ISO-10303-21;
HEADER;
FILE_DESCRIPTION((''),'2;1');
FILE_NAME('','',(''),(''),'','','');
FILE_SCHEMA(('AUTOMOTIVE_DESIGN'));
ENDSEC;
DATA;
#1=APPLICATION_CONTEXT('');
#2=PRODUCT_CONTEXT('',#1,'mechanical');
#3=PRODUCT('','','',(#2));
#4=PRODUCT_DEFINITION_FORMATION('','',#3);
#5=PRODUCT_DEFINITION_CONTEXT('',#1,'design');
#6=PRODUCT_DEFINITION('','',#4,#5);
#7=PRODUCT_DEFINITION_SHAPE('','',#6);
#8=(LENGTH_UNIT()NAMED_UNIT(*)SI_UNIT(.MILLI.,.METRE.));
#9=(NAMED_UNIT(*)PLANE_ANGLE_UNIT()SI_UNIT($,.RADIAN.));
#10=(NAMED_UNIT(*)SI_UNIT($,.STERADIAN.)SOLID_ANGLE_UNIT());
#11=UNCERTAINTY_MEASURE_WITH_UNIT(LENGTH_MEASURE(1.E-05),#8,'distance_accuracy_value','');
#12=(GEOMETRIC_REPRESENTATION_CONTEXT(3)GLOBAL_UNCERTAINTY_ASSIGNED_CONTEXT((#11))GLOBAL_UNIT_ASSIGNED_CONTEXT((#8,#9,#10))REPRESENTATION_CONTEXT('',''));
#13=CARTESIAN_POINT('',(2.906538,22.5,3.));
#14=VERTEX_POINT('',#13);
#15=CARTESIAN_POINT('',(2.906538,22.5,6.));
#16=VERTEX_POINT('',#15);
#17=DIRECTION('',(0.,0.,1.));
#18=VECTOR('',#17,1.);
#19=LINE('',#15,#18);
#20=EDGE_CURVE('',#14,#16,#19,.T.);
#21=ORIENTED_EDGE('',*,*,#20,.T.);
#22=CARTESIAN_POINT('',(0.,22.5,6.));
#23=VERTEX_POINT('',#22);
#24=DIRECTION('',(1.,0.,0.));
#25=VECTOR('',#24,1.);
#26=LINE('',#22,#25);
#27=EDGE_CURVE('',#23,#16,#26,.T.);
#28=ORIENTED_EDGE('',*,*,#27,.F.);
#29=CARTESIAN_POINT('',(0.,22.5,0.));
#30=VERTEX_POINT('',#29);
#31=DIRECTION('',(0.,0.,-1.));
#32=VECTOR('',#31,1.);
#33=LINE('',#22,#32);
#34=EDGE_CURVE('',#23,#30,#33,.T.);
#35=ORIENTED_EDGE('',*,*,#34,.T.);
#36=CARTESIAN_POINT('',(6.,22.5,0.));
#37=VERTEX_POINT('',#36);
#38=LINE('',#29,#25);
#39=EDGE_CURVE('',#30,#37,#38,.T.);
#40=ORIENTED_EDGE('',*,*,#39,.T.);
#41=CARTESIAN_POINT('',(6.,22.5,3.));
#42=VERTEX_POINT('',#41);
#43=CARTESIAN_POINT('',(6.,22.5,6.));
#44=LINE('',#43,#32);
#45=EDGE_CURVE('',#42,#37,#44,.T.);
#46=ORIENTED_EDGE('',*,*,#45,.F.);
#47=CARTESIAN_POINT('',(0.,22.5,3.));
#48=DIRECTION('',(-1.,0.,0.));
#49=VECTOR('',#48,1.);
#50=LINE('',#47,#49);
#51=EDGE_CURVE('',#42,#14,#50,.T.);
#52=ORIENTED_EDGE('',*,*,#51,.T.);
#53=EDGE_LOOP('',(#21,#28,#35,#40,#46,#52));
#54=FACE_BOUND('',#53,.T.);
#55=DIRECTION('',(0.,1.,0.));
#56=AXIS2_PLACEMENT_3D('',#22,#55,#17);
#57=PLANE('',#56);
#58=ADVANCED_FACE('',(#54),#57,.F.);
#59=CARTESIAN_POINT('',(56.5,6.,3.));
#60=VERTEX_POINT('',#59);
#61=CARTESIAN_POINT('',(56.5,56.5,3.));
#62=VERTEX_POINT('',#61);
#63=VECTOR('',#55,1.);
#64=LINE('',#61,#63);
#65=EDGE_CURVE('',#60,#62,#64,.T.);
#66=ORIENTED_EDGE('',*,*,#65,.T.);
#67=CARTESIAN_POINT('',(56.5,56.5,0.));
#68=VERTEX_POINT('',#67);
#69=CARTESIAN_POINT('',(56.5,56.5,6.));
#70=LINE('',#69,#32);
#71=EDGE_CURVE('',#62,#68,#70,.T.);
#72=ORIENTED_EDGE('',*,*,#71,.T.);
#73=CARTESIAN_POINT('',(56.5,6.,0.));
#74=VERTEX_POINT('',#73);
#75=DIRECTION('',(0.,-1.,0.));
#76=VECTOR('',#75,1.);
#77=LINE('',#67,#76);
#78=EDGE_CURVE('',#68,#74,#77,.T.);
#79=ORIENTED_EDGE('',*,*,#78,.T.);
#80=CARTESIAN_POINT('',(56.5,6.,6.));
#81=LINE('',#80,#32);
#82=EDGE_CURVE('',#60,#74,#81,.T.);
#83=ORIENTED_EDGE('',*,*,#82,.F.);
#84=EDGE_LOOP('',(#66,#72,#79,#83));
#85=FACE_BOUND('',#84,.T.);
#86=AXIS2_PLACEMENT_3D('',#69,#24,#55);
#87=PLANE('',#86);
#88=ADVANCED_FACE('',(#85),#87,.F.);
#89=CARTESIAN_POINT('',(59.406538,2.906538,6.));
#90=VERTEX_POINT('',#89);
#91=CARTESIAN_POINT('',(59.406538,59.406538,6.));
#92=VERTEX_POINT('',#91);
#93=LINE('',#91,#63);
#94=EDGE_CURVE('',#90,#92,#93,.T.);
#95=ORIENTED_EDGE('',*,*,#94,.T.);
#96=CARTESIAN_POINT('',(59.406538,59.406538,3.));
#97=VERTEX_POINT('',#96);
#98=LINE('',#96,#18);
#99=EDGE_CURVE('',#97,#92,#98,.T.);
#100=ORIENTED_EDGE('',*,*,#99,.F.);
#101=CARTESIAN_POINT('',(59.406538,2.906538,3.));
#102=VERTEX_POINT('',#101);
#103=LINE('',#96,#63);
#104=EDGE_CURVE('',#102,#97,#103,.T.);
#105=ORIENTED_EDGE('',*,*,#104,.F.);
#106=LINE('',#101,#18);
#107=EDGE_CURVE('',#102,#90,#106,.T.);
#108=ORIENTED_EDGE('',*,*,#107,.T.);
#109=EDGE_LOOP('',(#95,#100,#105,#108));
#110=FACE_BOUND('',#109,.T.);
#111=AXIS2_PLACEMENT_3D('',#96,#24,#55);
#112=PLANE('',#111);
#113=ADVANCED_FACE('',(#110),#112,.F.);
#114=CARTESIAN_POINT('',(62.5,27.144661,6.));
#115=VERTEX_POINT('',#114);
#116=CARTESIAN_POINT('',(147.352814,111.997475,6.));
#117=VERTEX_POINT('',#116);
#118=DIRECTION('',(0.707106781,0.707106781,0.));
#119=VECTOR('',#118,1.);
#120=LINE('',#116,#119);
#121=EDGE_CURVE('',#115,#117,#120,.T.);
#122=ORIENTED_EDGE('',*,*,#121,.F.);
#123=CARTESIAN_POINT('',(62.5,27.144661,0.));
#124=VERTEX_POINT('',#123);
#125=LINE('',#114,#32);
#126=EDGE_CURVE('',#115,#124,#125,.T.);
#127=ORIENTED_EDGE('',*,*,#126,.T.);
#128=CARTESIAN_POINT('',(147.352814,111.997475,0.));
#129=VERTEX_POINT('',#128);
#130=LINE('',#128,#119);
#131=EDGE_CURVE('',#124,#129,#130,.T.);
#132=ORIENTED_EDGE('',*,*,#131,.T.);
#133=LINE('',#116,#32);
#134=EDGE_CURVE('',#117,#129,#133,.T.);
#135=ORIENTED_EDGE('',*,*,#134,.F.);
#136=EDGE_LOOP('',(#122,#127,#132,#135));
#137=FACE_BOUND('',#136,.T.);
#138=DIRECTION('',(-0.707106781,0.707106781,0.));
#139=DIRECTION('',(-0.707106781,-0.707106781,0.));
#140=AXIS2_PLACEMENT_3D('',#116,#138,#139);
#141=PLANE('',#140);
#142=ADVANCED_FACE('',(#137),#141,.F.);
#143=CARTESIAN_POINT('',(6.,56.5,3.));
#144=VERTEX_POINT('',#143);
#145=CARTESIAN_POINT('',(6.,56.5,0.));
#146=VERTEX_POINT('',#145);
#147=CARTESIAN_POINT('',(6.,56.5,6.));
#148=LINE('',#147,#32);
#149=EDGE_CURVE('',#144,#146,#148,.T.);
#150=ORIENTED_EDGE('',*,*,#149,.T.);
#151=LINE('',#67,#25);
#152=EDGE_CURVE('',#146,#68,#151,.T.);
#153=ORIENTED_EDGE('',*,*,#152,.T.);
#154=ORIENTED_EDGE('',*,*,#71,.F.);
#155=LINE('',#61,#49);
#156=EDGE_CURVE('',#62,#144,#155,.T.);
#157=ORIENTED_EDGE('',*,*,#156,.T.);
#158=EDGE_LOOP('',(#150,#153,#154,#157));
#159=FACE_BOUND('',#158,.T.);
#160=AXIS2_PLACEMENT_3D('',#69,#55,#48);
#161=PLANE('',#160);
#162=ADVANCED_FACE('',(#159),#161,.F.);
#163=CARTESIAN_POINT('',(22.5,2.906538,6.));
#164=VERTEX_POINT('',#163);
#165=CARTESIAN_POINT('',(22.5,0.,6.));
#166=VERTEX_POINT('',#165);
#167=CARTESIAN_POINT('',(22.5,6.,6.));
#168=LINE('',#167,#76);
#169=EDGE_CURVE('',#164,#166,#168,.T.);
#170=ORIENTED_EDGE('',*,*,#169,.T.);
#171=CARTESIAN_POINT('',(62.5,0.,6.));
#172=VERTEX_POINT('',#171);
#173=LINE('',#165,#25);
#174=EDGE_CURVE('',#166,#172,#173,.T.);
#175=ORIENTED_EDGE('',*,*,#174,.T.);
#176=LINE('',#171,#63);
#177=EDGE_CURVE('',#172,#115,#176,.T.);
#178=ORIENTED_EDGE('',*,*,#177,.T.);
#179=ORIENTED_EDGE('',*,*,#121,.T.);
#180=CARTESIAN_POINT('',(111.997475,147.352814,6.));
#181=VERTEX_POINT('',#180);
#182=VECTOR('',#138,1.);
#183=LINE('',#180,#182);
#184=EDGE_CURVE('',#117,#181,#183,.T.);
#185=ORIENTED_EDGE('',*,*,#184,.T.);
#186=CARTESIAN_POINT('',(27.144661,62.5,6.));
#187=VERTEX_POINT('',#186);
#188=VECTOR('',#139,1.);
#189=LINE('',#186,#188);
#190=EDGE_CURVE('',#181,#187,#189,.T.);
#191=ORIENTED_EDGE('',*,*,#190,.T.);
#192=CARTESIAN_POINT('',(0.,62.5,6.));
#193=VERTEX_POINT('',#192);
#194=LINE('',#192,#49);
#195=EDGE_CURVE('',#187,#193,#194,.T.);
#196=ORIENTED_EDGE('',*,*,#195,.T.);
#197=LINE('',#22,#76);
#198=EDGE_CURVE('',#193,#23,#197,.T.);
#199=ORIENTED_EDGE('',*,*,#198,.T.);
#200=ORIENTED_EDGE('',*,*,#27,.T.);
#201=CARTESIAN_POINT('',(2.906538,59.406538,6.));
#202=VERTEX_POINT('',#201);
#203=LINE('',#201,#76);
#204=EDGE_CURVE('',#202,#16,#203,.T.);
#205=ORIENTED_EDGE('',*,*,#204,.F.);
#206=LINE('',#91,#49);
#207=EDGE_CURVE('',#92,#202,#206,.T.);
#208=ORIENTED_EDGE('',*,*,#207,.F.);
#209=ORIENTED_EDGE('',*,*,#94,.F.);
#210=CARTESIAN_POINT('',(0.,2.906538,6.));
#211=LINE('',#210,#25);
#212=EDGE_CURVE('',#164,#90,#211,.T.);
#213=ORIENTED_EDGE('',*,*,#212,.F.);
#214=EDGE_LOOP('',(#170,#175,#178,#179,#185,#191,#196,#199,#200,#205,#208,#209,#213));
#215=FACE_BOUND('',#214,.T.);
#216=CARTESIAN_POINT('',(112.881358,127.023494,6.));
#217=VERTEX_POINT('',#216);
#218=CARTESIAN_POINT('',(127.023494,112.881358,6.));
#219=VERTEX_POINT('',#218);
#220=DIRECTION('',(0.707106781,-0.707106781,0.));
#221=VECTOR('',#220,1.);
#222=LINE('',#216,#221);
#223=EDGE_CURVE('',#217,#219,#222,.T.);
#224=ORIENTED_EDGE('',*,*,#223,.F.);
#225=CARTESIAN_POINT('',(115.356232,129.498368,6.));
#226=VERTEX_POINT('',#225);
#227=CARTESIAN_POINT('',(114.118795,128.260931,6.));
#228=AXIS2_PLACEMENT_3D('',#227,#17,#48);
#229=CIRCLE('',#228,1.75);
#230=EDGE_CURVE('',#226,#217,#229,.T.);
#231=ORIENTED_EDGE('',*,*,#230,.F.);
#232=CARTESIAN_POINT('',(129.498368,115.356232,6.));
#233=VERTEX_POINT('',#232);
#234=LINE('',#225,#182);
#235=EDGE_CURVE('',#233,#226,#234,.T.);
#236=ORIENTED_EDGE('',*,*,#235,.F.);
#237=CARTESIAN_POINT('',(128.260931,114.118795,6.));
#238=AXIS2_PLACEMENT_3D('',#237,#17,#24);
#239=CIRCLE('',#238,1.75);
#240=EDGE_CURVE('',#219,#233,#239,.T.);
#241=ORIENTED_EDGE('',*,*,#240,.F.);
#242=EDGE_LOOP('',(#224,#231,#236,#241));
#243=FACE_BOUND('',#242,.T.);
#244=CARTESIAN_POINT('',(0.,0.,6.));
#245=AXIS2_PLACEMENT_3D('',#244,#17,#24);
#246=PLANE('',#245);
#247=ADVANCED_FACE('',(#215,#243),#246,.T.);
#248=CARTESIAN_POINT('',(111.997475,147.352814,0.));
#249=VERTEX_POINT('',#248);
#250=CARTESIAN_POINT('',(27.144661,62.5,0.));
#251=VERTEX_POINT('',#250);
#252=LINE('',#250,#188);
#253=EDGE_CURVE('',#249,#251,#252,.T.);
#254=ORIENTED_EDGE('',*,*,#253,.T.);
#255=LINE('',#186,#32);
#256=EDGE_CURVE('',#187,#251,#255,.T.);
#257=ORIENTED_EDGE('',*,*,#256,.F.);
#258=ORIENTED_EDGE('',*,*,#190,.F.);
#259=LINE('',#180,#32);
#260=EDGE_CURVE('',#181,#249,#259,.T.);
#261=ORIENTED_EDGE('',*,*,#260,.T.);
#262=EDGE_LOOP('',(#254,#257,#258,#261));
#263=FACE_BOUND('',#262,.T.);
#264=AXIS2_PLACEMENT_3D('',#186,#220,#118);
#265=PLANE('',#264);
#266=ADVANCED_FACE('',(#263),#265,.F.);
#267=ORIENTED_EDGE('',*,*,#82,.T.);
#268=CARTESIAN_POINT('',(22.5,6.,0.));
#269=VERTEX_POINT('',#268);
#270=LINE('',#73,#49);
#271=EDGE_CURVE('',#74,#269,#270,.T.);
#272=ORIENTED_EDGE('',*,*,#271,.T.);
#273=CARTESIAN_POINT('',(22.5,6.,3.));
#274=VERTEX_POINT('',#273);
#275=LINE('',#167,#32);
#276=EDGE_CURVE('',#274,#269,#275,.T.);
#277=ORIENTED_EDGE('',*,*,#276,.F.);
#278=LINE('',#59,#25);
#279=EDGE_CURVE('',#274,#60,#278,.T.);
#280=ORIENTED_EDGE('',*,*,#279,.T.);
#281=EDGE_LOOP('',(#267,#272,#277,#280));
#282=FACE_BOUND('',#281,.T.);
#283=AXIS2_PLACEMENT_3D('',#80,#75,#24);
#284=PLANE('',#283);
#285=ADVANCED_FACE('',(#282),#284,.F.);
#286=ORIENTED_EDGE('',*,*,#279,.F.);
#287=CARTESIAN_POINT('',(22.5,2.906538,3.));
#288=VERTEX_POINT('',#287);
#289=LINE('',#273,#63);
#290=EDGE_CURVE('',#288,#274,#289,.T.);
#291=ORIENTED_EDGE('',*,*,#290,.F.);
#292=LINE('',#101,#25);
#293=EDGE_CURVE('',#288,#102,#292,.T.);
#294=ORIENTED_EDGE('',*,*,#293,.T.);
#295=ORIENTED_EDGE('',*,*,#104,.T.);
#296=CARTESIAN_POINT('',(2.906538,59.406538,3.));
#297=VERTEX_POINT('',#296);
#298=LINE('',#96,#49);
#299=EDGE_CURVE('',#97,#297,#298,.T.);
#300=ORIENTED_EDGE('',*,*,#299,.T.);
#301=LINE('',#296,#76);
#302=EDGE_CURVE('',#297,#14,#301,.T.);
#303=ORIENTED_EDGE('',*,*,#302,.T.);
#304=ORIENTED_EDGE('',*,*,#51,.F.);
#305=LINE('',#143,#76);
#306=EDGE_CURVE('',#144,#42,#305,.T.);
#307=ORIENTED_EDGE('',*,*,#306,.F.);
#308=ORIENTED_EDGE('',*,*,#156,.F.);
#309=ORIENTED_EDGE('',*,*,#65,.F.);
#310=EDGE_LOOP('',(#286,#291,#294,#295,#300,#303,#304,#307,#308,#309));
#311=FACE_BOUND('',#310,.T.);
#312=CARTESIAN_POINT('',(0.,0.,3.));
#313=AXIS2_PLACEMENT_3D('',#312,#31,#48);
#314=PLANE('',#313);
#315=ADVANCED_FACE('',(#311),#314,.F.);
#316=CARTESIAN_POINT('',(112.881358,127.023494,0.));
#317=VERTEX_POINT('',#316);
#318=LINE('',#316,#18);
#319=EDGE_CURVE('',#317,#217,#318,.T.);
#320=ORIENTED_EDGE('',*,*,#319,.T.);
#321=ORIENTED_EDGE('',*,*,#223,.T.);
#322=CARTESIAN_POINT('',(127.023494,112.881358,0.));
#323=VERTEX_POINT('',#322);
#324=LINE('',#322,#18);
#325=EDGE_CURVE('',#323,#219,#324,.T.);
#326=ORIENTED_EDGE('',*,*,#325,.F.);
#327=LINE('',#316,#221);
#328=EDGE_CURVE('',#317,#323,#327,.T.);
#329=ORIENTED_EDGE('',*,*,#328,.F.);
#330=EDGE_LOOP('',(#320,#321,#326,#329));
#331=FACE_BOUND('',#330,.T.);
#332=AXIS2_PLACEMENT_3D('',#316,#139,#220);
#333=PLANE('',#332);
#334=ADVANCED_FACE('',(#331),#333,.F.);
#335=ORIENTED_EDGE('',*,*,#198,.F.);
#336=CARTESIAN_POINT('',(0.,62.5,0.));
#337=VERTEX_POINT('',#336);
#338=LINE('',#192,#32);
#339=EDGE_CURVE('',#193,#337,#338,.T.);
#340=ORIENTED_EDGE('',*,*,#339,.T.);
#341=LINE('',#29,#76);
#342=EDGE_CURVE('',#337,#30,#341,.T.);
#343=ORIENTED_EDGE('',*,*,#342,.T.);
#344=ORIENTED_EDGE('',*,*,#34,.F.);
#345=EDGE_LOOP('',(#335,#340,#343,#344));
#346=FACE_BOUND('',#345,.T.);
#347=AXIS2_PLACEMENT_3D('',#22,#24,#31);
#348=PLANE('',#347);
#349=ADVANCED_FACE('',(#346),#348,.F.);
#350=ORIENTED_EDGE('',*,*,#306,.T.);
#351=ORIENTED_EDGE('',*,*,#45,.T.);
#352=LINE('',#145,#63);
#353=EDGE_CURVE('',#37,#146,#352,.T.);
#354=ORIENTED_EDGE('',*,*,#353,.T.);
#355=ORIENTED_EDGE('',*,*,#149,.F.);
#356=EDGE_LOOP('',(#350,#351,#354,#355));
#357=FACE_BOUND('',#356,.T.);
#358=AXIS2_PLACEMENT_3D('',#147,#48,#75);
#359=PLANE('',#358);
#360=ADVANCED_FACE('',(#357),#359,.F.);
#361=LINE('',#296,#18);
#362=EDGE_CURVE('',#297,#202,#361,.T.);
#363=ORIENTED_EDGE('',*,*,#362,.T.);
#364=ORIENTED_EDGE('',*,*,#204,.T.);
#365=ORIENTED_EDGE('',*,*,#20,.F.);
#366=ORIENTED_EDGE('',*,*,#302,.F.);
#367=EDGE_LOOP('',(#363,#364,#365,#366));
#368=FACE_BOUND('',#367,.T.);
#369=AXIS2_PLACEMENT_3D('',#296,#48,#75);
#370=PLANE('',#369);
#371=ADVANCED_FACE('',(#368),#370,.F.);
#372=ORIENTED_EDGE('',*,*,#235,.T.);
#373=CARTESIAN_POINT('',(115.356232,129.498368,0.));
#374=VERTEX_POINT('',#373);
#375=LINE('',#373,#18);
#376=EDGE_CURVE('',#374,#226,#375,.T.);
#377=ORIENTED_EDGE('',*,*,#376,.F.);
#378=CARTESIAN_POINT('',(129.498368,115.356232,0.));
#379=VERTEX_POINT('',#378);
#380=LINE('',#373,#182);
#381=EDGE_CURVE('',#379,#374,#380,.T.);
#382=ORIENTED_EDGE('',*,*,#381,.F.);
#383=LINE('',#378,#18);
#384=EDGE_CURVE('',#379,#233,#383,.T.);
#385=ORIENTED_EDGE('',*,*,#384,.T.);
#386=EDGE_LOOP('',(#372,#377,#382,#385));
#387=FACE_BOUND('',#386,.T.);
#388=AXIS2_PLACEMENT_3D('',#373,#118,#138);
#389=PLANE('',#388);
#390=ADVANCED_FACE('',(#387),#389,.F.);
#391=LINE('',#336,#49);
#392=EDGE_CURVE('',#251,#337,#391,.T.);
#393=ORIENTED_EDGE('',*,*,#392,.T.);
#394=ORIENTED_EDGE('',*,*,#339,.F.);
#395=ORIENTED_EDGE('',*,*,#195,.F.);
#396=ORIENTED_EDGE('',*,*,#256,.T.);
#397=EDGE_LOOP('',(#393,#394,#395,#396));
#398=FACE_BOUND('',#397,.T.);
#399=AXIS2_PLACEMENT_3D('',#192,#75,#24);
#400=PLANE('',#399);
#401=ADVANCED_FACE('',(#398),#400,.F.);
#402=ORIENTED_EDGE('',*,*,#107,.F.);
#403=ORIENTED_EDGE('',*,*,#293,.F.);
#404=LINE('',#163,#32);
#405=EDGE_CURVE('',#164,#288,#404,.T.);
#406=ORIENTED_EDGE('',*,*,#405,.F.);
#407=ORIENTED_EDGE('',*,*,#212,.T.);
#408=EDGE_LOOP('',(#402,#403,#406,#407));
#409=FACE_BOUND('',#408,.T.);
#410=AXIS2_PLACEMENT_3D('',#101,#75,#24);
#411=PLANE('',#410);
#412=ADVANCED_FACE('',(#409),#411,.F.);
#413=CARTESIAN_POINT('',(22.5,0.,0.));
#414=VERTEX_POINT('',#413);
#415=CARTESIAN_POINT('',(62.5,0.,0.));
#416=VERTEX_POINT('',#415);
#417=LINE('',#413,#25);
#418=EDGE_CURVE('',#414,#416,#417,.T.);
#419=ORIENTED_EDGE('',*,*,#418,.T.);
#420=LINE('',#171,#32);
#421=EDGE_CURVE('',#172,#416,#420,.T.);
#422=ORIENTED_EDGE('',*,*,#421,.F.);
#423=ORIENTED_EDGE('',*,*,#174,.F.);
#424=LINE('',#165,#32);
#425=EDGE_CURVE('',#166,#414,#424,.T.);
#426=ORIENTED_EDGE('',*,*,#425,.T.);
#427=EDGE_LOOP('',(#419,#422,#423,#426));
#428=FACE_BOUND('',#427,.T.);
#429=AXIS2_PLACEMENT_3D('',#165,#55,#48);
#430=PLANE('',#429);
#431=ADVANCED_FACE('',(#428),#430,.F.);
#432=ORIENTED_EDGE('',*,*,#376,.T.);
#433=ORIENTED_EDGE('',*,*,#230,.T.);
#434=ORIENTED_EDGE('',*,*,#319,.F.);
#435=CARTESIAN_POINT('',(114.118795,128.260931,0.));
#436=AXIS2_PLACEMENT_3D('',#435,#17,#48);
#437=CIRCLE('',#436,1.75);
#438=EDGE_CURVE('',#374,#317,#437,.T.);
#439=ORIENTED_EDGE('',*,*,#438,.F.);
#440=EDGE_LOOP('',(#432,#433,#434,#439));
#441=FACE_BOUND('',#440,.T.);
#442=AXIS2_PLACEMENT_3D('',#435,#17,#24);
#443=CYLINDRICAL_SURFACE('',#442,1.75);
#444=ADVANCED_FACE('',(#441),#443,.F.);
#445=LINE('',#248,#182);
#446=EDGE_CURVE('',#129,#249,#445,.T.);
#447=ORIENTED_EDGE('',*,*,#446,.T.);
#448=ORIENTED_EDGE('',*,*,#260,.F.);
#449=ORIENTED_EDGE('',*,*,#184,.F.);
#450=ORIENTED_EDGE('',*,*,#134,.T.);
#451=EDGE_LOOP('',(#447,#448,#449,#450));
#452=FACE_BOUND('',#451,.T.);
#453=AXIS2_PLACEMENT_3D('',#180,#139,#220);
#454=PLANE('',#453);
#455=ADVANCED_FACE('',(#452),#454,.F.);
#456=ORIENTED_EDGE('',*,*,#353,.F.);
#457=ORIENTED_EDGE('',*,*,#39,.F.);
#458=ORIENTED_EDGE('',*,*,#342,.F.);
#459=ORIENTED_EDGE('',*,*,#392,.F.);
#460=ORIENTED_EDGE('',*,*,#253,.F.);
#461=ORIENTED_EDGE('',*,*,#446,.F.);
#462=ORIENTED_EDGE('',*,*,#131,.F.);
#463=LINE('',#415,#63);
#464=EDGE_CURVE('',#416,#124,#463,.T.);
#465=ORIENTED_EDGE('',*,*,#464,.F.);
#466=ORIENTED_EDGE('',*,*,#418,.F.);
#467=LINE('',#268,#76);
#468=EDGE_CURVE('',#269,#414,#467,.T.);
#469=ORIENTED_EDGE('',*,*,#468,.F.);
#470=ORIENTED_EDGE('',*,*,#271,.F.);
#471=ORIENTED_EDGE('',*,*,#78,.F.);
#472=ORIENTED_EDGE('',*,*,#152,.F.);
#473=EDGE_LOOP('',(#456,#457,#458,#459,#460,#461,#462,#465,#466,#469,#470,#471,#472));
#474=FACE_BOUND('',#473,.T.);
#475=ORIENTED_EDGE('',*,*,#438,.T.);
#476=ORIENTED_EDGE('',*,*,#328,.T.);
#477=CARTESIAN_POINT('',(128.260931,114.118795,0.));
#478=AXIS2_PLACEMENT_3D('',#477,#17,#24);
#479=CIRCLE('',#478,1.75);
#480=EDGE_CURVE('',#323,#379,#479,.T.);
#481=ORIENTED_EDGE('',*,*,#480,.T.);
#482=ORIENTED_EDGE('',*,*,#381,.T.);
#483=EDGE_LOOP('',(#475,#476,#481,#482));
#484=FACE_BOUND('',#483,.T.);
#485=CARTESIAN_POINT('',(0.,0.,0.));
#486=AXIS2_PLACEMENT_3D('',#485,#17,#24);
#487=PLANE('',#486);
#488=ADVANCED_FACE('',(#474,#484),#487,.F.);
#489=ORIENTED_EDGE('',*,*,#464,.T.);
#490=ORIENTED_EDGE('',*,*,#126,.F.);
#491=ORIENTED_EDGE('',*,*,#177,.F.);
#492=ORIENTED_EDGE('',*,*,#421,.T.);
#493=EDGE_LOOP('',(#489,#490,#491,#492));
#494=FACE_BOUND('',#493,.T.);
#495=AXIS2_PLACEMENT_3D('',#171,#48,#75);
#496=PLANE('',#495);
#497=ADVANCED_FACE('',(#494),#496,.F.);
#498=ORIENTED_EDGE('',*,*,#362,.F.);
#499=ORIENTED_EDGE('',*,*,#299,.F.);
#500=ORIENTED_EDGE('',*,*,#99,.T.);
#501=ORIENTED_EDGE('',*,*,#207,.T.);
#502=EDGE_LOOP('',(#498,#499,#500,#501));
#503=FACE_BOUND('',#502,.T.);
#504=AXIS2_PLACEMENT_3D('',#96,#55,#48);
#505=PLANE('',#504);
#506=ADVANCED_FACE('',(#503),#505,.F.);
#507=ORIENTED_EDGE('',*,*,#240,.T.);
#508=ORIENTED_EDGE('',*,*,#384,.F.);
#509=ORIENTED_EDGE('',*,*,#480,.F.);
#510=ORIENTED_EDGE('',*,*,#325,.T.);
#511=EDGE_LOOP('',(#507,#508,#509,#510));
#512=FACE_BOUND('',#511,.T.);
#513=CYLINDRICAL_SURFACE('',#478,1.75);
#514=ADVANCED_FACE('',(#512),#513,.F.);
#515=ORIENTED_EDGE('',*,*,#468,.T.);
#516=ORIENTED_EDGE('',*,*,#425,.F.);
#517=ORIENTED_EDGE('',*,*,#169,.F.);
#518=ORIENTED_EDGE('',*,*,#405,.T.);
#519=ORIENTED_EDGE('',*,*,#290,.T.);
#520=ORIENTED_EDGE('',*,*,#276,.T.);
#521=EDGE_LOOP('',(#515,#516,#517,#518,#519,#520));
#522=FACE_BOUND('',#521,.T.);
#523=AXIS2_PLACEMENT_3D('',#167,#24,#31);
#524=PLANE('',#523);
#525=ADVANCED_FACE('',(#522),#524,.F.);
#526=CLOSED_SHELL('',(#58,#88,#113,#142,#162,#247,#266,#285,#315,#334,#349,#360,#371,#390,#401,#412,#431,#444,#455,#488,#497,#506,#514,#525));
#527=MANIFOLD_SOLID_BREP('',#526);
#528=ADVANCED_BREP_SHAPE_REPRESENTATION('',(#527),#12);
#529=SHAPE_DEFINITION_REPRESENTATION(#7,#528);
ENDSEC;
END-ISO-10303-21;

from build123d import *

# Parameters (mm, degrees)
EXTRUDE_1_DEPTH     = 6
SKETCH_2_W          = 56.5
SKETCH_2_H          = 56.5
CUT_EXTRUDE_1_DEPTH = 3
CUT_EXTRUDE_2_DEPTH = 6


with BuildPart() as part:
    # 草图1 → 凸台-拉伸1 (new body)
    with BuildSketch(Plane.XY):
        Polygon((22.5, 0), (62.5, 0), (62.5, 27.144660941), (147.352813742, 111.997474683), (111.997474683, 147.352813742), (27.144660941, 62.5), (0, 62.5), (0, 22.5), (6, 22.5), (6, 56.5), (56.5, 56.5), (56.5, 6), (22.5, 6), align=None)
    extrude(amount=EXTRUDE_1_DEPTH)

    # 草图2 → 切除-拉伸1 (cut)
    with BuildSketch(Plane.XY.offset(6)):
        with Locations((31.156538063, 31.156538063)):
            Rectangle(SKETCH_2_W, SKETCH_2_H)
    extrude(amount=-CUT_EXTRUDE_1_DEPTH, mode=Mode.SUBTRACT)

    # 草图3 → 切除-拉伸2 (cut)
    with BuildSketch(Plane.XY.offset(6)):
        with BuildLine():
            Line((112.88135816, 127.023493783), (127.023493783, 112.88135816))
            ThreePointArc((127.023493783, 112.88135816), (129.498367517, 112.88135816), (129.498367517, 115.356231894))
            Line((129.498367517, 115.356231894), (115.356231894, 129.498367517))
            ThreePointArc((115.356231894, 129.498367517), (112.88135816, 129.498367517), (112.88135816, 127.023493783))
        make_face()
    extrude(amount=-CUT_EXTRUDE_2_DEPTH, mode=Mode.SUBTRACT)


solid = part.part
